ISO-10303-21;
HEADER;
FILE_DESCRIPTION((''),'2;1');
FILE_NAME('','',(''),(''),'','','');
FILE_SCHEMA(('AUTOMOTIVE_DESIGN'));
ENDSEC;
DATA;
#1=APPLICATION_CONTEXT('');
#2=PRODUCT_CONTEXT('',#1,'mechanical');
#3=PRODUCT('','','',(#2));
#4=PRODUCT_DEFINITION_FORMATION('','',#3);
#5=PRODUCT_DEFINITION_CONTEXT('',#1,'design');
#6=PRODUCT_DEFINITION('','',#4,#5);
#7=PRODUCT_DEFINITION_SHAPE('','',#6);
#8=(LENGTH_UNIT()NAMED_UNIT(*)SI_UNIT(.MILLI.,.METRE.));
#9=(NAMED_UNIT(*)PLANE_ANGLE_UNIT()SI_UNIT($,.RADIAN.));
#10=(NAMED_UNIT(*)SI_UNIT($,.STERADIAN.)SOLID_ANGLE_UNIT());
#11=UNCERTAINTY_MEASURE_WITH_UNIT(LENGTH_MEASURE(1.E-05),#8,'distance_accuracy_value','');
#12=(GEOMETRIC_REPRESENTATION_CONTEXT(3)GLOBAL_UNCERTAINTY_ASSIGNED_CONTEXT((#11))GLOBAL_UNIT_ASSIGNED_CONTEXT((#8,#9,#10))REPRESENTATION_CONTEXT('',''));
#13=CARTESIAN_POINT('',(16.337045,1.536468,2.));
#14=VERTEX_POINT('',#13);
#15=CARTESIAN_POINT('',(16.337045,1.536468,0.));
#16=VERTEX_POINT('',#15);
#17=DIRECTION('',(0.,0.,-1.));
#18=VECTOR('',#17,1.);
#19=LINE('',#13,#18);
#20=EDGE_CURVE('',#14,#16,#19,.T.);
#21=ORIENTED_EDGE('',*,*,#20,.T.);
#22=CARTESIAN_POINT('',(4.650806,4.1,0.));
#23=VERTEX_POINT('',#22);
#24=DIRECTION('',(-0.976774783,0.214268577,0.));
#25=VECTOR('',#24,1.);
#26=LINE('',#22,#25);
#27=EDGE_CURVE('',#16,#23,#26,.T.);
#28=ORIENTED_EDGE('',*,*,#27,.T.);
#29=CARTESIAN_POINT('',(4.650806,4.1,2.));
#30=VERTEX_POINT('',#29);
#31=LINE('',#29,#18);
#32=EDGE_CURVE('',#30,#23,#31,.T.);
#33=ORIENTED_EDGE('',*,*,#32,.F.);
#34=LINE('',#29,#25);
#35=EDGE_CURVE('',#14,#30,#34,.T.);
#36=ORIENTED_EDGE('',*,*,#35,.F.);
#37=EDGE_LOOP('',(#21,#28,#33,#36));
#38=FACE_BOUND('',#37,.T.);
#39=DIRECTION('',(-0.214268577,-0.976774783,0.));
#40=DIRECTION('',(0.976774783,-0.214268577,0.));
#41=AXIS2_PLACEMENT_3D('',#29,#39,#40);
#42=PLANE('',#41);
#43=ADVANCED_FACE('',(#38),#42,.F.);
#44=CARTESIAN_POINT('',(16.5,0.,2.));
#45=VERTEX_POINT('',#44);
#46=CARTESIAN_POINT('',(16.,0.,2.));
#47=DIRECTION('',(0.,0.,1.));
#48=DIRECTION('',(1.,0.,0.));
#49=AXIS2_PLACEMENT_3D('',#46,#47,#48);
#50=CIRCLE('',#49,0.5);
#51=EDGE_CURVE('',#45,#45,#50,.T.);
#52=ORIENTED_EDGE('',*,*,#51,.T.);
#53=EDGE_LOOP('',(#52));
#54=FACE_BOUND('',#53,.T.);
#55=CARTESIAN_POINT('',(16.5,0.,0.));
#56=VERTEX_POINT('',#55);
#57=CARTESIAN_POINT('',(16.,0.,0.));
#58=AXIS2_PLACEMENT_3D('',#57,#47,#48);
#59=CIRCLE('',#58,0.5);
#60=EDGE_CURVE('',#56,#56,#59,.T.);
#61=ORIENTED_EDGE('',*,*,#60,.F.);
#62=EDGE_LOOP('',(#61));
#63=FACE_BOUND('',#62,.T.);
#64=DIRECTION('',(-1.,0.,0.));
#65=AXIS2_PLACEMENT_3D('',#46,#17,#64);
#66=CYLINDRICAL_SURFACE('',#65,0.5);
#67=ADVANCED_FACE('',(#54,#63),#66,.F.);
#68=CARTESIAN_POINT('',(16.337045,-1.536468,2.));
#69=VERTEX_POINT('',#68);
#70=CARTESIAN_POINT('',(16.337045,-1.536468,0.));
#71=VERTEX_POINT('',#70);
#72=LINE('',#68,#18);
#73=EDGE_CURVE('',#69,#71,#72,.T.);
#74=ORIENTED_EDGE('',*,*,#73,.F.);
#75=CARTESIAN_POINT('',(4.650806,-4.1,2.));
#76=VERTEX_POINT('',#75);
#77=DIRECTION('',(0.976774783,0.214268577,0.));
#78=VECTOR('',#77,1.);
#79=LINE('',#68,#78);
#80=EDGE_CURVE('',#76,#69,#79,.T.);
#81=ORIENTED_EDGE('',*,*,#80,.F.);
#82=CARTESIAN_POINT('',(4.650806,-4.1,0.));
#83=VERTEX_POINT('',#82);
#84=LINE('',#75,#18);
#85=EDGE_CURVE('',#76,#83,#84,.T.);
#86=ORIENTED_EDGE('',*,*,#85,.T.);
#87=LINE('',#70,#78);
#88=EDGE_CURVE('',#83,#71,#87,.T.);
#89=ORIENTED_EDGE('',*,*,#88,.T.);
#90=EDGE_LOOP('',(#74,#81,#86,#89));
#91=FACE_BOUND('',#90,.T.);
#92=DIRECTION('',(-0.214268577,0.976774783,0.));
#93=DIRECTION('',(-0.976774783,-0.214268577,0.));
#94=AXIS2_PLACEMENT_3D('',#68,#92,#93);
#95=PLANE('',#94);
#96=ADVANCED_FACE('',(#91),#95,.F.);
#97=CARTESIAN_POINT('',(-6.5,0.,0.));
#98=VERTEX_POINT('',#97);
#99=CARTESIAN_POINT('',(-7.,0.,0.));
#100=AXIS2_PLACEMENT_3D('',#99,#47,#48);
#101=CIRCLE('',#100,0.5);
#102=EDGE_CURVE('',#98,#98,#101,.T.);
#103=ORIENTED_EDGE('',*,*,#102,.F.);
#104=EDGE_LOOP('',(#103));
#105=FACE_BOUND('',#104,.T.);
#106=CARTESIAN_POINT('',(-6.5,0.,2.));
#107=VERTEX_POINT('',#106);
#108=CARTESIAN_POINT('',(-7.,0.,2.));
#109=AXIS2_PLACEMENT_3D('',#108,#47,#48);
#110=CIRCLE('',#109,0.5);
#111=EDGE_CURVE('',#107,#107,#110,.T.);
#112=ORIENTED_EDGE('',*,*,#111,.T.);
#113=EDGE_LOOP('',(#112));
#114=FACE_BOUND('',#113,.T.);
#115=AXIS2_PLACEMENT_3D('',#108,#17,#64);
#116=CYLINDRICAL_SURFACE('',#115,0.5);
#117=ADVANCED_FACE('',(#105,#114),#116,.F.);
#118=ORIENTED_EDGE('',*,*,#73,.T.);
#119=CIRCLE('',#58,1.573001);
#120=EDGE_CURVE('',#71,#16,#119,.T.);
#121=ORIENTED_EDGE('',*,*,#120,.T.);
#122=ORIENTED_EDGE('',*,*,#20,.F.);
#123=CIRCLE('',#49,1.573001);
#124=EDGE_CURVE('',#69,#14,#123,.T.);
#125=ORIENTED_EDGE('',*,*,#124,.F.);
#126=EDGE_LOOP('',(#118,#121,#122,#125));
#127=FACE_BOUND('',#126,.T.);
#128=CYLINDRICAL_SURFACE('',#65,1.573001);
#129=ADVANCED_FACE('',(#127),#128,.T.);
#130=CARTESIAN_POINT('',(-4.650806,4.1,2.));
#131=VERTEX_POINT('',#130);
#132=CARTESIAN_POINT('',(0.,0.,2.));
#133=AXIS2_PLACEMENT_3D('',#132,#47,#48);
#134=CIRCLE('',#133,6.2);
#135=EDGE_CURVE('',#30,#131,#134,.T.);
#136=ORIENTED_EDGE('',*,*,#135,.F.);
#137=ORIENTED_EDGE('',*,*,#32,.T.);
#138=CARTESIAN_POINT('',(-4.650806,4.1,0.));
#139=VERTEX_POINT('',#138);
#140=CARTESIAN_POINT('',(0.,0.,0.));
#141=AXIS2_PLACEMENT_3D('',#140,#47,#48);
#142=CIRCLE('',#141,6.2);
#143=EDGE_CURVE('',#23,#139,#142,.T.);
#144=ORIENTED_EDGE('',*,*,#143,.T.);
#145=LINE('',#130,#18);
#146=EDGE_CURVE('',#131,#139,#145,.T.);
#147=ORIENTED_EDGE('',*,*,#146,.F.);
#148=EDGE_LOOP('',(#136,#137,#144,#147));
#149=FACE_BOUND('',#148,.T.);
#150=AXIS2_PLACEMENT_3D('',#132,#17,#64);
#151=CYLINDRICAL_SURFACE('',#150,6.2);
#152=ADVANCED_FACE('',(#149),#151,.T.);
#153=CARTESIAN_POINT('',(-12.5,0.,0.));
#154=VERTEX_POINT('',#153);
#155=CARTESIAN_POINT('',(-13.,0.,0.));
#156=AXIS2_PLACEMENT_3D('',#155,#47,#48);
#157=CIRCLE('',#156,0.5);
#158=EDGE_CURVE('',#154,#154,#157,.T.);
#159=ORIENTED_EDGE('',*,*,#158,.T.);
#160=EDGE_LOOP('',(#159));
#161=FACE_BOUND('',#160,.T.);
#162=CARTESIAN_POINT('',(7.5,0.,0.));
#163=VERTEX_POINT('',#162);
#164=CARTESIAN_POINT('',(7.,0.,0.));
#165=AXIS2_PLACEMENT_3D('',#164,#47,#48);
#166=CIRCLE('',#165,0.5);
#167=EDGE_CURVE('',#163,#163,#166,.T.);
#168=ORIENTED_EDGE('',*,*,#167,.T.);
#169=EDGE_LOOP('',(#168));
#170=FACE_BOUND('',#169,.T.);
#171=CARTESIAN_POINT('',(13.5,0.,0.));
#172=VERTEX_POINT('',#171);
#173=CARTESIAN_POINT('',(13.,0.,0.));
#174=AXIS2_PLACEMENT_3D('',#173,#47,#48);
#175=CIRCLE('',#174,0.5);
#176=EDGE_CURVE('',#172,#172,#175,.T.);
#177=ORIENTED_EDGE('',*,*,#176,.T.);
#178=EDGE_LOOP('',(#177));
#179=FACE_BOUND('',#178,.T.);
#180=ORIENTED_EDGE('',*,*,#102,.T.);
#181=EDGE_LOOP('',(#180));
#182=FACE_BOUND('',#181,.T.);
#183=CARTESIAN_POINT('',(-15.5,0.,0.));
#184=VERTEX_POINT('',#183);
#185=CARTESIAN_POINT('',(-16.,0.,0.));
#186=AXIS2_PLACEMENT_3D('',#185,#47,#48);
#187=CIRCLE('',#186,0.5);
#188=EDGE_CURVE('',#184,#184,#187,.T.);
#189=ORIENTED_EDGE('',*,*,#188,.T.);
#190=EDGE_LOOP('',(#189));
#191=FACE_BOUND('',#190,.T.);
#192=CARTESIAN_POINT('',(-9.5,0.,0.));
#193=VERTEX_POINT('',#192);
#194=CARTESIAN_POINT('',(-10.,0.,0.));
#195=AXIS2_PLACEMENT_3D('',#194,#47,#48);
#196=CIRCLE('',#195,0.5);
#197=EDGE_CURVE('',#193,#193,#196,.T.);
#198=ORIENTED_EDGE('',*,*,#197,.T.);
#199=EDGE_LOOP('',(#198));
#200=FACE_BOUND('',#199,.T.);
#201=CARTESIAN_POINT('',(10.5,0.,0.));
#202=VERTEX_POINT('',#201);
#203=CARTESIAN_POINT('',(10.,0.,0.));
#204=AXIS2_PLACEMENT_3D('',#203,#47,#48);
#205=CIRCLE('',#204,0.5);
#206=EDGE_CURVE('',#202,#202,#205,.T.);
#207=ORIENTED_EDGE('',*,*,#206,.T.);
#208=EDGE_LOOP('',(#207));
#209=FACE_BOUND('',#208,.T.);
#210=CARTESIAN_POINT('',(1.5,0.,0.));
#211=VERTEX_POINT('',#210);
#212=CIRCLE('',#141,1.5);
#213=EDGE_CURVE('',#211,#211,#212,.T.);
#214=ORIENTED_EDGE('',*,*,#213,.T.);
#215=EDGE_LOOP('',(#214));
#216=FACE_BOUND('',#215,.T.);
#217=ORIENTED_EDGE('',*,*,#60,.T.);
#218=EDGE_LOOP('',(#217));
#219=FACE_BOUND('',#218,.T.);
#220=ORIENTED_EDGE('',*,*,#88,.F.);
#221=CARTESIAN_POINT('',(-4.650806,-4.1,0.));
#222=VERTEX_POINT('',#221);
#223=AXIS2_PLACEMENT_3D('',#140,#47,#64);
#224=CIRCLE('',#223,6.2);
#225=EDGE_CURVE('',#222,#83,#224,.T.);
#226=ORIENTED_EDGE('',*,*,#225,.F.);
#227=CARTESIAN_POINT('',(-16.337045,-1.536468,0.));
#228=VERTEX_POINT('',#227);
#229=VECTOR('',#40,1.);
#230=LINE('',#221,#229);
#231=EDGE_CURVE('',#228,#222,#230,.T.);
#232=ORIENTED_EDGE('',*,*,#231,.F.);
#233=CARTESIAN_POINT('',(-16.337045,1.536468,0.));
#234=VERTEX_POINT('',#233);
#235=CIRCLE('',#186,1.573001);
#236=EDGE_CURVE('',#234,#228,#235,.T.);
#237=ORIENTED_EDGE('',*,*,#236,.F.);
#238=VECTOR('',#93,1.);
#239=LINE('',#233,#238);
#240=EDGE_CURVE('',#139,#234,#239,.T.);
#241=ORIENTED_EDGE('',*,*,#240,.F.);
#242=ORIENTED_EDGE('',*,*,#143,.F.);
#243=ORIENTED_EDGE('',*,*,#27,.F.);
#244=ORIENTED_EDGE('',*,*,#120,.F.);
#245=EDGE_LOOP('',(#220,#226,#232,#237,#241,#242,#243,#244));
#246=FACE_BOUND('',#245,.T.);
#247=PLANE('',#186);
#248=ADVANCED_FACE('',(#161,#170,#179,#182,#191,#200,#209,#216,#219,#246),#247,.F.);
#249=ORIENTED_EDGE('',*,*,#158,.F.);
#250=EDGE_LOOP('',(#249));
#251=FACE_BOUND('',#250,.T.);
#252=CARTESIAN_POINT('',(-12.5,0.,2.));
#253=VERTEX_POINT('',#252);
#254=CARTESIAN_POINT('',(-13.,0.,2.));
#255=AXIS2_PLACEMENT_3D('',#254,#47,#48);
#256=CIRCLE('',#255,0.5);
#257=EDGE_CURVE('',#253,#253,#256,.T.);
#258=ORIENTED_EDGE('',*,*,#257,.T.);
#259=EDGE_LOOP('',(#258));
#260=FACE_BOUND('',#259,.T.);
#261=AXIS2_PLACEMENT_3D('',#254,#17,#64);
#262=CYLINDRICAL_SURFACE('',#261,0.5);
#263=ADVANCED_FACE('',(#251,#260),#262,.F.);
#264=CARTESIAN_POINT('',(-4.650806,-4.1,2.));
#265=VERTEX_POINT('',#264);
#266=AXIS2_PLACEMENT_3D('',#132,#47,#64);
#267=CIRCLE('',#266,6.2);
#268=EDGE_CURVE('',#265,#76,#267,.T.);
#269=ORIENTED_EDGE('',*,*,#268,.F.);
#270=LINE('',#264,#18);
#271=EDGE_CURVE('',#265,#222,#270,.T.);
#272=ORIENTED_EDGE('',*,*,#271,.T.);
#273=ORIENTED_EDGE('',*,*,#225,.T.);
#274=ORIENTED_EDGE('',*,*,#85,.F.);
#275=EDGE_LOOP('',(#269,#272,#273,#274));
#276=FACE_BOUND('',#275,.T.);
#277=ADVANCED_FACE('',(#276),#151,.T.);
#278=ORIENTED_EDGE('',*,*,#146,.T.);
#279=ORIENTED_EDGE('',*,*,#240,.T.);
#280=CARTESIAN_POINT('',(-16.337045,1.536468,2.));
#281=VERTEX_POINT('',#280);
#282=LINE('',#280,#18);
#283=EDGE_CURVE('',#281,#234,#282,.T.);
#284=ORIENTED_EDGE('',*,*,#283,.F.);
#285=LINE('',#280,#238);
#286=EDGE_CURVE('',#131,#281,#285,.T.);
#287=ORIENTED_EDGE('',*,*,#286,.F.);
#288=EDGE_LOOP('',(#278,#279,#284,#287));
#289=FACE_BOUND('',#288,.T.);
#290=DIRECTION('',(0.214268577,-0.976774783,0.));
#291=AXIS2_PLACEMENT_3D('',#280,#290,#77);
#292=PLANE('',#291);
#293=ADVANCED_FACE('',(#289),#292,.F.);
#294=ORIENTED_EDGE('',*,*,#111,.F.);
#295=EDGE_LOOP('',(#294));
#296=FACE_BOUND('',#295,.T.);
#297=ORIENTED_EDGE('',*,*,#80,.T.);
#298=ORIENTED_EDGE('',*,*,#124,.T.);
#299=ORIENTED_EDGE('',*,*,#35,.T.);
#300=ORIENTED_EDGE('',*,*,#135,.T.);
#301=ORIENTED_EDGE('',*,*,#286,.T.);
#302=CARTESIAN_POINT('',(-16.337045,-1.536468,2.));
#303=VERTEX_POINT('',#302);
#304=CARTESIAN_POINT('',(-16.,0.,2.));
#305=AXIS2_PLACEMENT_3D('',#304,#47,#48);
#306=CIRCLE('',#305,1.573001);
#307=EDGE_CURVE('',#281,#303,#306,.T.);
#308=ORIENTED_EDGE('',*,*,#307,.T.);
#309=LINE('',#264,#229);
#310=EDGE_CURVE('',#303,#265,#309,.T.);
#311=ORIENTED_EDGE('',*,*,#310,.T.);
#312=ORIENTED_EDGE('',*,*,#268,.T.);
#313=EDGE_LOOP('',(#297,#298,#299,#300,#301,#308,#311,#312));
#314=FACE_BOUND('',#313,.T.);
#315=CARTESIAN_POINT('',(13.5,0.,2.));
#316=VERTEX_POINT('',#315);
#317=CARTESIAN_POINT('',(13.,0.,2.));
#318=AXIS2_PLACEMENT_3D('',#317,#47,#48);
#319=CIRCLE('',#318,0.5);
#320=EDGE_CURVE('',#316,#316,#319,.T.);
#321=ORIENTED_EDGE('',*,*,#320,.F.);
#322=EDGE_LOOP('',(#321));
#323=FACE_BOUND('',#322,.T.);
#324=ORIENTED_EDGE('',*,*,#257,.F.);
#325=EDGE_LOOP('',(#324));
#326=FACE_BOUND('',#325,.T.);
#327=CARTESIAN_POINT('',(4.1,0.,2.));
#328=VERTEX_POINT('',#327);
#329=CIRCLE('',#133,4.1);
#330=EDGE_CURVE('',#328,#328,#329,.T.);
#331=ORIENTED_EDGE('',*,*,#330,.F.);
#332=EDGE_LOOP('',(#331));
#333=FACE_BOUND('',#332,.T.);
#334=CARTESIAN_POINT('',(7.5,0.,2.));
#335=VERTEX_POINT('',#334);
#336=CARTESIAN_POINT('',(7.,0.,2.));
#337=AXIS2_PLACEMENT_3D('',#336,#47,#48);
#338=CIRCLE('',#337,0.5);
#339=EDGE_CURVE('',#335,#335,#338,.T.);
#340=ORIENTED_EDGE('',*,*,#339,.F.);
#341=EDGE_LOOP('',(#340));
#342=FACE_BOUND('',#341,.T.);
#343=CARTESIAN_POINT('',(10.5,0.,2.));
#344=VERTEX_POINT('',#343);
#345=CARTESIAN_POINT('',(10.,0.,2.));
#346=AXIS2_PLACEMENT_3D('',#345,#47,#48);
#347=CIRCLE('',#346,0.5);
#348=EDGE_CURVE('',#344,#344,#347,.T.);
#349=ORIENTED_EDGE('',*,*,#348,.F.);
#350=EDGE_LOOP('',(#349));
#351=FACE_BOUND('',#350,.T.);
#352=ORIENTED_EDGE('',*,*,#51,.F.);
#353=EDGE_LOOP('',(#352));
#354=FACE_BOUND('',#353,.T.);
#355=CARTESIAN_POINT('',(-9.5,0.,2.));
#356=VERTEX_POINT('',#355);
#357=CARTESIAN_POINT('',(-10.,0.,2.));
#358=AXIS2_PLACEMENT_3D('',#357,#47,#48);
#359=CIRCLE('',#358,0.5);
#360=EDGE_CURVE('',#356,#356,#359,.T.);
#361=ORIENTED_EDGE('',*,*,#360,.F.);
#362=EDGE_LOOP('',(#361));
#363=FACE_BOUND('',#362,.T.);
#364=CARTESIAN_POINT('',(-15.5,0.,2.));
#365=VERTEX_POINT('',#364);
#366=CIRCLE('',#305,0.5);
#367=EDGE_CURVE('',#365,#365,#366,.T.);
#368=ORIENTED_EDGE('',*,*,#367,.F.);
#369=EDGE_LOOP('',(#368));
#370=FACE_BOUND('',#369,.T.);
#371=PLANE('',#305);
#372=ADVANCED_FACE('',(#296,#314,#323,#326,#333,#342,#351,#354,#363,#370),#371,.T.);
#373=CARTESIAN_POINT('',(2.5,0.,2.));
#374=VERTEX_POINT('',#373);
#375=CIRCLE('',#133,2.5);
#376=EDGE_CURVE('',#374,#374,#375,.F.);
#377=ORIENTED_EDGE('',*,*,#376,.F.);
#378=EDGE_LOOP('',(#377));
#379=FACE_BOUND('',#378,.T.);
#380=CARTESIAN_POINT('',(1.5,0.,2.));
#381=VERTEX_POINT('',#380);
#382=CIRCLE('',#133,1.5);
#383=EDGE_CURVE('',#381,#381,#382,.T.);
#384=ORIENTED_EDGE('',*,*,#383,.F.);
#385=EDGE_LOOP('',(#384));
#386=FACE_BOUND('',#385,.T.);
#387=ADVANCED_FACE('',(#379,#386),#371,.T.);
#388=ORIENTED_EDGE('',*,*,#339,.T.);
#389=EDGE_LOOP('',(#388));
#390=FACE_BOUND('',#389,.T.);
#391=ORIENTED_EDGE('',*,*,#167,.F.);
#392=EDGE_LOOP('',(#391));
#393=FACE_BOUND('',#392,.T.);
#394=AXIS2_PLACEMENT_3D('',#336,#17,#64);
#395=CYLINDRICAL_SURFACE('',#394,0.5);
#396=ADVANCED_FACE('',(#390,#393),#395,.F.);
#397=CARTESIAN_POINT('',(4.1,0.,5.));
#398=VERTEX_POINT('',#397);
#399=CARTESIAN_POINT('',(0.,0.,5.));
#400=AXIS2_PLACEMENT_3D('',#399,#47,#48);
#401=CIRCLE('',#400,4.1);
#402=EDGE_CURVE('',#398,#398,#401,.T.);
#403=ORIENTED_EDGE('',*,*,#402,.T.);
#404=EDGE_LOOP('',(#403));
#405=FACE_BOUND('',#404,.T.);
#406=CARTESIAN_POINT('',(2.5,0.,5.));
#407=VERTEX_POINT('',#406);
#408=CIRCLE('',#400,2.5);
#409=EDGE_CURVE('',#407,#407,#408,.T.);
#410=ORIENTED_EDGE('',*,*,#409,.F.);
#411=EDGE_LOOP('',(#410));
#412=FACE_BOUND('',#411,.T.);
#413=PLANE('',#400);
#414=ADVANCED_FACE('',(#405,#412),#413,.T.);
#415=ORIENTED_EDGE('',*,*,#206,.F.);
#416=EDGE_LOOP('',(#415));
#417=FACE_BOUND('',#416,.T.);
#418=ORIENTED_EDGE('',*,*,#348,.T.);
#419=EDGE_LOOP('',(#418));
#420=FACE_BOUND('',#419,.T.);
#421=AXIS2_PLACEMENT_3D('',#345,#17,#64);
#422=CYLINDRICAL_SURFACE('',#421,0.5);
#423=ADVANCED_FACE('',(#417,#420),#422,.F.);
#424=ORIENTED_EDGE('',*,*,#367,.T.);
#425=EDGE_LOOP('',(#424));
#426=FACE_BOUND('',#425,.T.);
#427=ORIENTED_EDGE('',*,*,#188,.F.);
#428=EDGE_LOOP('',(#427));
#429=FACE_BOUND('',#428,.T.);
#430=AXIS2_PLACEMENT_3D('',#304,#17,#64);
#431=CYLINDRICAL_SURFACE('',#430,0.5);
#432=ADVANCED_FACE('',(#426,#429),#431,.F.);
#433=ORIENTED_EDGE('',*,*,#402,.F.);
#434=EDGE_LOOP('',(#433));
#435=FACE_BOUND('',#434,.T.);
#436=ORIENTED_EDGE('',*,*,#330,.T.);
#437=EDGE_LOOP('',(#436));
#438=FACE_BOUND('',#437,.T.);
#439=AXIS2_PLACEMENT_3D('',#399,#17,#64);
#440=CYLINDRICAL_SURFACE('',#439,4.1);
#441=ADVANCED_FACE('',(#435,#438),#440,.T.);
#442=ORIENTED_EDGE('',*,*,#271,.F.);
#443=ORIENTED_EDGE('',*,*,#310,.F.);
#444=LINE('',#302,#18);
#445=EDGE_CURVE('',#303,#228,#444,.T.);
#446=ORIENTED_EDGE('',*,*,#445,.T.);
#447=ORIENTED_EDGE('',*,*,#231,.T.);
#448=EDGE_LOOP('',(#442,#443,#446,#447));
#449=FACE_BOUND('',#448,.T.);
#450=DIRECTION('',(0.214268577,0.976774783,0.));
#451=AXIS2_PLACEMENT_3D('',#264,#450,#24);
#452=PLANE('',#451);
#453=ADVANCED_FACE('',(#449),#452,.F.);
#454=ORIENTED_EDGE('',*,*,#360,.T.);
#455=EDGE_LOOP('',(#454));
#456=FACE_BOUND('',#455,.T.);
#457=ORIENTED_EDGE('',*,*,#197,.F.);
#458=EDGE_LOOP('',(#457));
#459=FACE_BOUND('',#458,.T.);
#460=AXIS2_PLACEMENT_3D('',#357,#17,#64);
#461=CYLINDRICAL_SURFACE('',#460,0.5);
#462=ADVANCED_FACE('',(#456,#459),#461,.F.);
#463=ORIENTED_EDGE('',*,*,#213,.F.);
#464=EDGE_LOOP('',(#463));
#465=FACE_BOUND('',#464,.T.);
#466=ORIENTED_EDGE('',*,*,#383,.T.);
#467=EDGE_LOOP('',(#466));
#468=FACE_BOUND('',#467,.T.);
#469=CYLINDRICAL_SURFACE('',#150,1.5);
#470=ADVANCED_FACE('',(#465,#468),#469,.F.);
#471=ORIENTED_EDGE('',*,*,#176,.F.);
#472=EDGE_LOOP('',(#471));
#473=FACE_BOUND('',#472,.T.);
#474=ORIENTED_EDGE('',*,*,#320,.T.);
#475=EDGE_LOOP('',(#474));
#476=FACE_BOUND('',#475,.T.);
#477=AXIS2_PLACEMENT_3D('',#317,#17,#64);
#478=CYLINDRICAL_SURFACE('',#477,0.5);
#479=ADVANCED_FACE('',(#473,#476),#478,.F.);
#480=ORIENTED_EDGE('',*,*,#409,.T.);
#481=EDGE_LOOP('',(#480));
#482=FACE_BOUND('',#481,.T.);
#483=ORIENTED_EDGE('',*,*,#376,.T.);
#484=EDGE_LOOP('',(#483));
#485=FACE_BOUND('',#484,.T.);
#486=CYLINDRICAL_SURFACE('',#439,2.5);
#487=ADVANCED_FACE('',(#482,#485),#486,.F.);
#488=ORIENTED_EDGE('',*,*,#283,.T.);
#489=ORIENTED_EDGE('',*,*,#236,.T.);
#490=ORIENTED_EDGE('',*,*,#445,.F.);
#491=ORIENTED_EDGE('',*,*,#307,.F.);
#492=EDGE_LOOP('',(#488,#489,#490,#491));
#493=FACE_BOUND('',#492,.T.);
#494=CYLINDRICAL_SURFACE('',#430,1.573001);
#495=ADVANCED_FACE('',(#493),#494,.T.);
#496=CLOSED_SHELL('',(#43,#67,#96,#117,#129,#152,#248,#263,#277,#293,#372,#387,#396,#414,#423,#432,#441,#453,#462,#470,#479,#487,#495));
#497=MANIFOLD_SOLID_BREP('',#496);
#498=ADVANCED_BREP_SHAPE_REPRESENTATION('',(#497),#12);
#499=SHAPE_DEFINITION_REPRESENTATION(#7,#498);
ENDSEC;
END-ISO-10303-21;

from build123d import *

# Parameters (mm, degrees)
ESQUISSE1_R        = 1.5
ESQUISSE1_R_2      = 0.5
BOSS_EXTRU_1_DEPTH = 2
ESQUISSE2_R        = 4.1
ESQUISSE2_R_2      = 2.5
BOSS_EXTRU_2_DEPTH = 3


with BuildPart() as part:
    # Esquisse1 → Boss.-Extru.1 (new body)
    with BuildSketch(Plane.XY):
        with BuildLine():
            Line((-16.337044695, 1.536467752), (-4.650806382, 4.1))
            ThreePointArc((-4.650806382, 4.1), (0, 6.2), (4.650806382, 4.1))
            Line((4.650806382, 4.1), (16.337044695, 1.536467752))
            ThreePointArc((16.337044695, 1.536467752), (17.573001042, 0), (16.337044695, -1.536467752))
            Line((16.337044695, -1.536467752), (4.650806382, -4.1))
            ThreePointArc((4.650806382, -4.1), (0, -6.2), (-4.650806382, -4.1))
            Line((-4.650806382, -4.1), (-16.337044695, -1.536467752))
            ThreePointArc((-16.337044695, -1.536467752), (-17.573001042, 0), (-16.337044695, 1.536467752))
        make_face()
        Circle(ESQUISSE1_R, mode=Mode.SUBTRACT)
        with Locations((7, 0)):
            Circle(ESQUISSE1_R_2, mode=Mode.SUBTRACT)
        with Locations((16, 0)):
            Circle(ESQUISSE1_R_2, mode=Mode.SUBTRACT)
        with Locations((13, 0)):
            Circle(ESQUISSE1_R_2, mode=Mode.SUBTRACT)
        with Locations((10, 0)):
            Circle(ESQUISSE1_R_2, mode=Mode.SUBTRACT)
        with Locations((-16, 0)):
            Circle(ESQUISSE1_R_2, mode=Mode.SUBTRACT)
        with Locations((-13, 0)):
            Circle(ESQUISSE1_R_2, mode=Mode.SUBTRACT)
        with Locations((-10, 0)):
            Circle(ESQUISSE1_R_2, mode=Mode.SUBTRACT)
        with Locations((-7, 0)):
            Circle(ESQUISSE1_R_2, mode=Mode.SUBTRACT)
    extrude(amount=BOSS_EXTRU_1_DEPTH)

    # Esquisse2 → Boss.-Extru.2 (add)
    with BuildSketch(Plane.XY.offset(2)):
        Circle(ESQUISSE2_R)
        Circle(ESQUISSE2_R_2, mode=Mode.SUBTRACT)
    extrude(amount=BOSS_EXTRU_2_DEPTH)


solid = part.part
